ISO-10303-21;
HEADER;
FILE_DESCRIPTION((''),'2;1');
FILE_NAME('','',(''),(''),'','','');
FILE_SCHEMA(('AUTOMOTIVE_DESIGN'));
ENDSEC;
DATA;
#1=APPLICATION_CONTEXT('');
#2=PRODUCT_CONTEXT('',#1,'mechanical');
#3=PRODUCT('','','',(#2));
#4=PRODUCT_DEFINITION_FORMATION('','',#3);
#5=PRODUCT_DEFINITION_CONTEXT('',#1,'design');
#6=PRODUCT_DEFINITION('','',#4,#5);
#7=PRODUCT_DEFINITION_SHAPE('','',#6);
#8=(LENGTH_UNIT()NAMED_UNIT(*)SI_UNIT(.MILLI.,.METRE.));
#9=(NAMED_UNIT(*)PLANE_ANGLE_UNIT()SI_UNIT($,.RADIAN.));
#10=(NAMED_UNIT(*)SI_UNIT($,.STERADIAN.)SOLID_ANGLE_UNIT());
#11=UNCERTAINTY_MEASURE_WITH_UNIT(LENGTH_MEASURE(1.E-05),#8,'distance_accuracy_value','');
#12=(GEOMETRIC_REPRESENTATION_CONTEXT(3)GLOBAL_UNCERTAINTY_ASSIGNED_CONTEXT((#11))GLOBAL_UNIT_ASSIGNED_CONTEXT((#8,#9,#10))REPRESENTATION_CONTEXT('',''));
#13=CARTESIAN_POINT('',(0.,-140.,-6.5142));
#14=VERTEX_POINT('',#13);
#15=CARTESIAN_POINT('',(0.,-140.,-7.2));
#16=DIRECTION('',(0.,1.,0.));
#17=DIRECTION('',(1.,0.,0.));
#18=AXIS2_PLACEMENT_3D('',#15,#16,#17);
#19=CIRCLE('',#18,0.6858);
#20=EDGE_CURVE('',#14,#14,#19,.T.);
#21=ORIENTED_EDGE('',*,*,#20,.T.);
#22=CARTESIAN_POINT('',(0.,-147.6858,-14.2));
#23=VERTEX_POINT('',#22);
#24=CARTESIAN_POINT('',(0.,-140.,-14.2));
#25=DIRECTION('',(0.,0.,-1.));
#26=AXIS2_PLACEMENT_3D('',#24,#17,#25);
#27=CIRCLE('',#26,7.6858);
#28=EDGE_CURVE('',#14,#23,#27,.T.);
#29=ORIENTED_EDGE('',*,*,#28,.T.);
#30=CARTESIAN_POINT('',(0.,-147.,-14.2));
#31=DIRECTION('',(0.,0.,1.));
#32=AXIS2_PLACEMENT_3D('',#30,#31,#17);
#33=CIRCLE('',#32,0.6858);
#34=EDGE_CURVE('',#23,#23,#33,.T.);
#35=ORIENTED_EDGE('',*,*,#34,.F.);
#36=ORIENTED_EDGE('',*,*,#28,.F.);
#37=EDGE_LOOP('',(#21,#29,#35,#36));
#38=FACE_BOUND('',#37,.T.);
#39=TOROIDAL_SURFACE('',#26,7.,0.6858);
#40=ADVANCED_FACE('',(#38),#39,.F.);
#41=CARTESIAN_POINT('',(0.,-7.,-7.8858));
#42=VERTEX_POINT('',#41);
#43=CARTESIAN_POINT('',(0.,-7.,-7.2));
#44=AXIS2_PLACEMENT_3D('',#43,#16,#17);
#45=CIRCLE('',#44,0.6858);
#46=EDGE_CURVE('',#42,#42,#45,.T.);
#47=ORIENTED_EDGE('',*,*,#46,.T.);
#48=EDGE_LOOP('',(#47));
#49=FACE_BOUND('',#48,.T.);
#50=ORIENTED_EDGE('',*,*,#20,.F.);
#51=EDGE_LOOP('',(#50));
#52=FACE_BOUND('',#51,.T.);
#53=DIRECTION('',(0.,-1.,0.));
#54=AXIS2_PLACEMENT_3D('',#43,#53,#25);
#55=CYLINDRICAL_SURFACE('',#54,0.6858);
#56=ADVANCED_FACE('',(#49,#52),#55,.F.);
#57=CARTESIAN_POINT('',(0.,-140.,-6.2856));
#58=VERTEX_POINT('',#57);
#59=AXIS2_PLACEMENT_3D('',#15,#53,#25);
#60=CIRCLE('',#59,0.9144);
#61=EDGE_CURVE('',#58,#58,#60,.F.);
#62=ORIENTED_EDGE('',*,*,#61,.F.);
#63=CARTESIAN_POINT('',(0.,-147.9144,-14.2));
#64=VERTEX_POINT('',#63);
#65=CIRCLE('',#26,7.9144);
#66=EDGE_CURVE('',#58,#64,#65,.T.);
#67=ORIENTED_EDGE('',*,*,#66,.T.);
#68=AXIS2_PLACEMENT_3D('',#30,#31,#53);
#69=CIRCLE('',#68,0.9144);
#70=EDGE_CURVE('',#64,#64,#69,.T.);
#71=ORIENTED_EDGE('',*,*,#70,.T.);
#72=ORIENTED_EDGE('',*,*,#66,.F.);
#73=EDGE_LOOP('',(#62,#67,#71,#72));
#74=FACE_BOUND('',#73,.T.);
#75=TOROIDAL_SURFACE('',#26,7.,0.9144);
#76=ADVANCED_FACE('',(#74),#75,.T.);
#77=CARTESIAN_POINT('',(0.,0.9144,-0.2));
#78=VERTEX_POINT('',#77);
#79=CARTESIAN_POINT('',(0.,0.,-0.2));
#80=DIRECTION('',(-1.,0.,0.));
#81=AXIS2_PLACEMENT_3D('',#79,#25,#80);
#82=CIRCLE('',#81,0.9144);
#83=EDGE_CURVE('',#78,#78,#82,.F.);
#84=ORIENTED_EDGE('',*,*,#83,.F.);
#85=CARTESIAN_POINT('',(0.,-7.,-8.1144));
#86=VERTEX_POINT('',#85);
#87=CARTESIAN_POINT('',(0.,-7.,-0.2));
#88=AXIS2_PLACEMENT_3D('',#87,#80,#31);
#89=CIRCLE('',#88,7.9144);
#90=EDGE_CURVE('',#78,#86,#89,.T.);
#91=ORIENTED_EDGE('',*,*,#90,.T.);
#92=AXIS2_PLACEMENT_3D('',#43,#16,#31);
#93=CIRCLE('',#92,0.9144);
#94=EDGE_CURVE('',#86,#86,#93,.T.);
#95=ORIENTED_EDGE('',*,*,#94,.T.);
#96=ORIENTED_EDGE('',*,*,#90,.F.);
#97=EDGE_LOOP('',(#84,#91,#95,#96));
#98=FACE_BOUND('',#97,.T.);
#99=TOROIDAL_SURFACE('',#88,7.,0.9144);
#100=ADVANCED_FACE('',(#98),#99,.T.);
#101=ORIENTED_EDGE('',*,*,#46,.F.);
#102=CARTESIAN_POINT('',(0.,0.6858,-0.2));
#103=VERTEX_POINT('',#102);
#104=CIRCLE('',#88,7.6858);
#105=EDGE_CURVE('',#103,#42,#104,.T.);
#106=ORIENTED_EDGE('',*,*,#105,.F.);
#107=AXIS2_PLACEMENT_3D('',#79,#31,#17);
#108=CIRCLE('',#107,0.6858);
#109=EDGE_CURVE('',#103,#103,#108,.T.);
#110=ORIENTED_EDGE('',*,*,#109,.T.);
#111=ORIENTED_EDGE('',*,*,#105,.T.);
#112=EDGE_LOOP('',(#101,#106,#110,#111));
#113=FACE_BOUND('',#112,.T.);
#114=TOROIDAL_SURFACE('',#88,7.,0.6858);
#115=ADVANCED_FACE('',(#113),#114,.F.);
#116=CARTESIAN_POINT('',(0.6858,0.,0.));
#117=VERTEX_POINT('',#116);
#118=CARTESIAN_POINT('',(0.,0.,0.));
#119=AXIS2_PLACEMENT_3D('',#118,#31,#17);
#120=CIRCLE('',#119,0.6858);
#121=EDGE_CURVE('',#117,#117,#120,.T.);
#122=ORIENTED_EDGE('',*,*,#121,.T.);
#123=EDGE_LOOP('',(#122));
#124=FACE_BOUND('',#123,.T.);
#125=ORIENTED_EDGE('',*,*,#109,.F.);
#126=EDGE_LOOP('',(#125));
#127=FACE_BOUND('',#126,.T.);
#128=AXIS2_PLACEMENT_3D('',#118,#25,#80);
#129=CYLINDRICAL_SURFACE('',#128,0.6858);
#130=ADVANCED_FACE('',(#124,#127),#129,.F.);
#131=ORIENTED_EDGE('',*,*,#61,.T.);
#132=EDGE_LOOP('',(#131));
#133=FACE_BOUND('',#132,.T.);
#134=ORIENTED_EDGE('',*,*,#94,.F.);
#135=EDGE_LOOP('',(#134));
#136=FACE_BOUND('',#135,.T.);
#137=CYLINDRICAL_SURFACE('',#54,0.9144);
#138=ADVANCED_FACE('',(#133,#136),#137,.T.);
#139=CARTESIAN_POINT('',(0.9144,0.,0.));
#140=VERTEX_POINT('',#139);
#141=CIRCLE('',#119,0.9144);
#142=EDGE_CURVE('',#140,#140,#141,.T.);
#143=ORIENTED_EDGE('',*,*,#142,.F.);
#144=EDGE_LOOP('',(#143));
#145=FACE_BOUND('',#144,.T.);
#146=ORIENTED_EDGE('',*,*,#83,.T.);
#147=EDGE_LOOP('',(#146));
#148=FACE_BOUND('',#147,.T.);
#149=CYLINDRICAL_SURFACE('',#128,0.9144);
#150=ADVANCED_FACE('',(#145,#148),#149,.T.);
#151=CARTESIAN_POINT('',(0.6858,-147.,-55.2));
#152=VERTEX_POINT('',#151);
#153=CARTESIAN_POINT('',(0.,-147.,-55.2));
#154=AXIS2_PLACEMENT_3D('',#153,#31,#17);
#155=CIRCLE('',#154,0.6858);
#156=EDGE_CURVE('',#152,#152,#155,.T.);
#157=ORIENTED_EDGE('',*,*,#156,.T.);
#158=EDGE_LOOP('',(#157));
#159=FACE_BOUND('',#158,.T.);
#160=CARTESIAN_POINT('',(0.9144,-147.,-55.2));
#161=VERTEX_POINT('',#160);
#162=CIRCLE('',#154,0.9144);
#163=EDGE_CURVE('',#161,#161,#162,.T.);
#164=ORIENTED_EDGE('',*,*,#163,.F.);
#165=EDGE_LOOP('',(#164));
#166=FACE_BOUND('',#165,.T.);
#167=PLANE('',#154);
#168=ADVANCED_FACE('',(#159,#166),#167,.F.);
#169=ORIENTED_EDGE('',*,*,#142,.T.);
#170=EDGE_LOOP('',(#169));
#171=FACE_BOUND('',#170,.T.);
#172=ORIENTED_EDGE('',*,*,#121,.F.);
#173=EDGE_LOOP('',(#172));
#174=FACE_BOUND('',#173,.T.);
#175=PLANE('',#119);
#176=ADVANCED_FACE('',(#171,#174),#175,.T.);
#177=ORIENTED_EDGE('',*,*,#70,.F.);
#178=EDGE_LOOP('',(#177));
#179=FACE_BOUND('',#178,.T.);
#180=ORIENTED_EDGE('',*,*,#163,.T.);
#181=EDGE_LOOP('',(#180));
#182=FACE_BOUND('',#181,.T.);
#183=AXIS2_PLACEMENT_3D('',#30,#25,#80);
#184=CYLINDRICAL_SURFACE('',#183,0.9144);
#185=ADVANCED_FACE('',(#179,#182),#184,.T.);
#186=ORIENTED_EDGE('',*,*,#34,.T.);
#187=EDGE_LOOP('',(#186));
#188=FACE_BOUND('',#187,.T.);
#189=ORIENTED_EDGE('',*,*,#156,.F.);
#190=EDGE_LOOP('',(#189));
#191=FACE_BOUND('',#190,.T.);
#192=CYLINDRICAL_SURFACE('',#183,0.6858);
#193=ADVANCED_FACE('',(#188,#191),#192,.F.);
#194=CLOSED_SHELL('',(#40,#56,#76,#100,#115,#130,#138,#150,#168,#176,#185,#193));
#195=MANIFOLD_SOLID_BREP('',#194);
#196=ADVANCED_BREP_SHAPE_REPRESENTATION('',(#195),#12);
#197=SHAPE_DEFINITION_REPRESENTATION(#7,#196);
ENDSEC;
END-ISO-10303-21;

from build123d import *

# Parameters (mm, degrees)
SWEEP_THIN1_PROFILE_R   = 0.9144
SWEEP_THIN1_PROFILE_R_2 = 0.6858


with BuildPart() as part:
    # Sweep-Thin1: sweep along a curve in space
    with BuildLine() as sweep_thin1_path:
        Line((0, 0, 0), (0, 0, -0.2))
        ThreePointArc((0, 0, -0.2), (0, -2.050252532, -5.149747468), (0, -7, -7.2))
        Line((0, -7, -7.2), (0, -140, -7.2))
        ThreePointArc((0, -140, -7.2), (0, -144.949747468, -9.250252532), (0, -147, -14.2))
        Line((0, -147, -14.2), (0, -147, -55.2))
    # Sweep-Thin1 profile (on start of the path) → Sweep-Thin1 (sweep)
    with BuildSketch(Plane(origin=(0, 0, 0), x_dir=(-1, 0, 0), z_dir=(0, 0, -1))):
        Circle(SWEEP_THIN1_PROFILE_R)
        Circle(SWEEP_THIN1_PROFILE_R_2, mode=Mode.SUBTRACT)
    sweep(path=sweep_thin1_path.line)


solid = part.part
